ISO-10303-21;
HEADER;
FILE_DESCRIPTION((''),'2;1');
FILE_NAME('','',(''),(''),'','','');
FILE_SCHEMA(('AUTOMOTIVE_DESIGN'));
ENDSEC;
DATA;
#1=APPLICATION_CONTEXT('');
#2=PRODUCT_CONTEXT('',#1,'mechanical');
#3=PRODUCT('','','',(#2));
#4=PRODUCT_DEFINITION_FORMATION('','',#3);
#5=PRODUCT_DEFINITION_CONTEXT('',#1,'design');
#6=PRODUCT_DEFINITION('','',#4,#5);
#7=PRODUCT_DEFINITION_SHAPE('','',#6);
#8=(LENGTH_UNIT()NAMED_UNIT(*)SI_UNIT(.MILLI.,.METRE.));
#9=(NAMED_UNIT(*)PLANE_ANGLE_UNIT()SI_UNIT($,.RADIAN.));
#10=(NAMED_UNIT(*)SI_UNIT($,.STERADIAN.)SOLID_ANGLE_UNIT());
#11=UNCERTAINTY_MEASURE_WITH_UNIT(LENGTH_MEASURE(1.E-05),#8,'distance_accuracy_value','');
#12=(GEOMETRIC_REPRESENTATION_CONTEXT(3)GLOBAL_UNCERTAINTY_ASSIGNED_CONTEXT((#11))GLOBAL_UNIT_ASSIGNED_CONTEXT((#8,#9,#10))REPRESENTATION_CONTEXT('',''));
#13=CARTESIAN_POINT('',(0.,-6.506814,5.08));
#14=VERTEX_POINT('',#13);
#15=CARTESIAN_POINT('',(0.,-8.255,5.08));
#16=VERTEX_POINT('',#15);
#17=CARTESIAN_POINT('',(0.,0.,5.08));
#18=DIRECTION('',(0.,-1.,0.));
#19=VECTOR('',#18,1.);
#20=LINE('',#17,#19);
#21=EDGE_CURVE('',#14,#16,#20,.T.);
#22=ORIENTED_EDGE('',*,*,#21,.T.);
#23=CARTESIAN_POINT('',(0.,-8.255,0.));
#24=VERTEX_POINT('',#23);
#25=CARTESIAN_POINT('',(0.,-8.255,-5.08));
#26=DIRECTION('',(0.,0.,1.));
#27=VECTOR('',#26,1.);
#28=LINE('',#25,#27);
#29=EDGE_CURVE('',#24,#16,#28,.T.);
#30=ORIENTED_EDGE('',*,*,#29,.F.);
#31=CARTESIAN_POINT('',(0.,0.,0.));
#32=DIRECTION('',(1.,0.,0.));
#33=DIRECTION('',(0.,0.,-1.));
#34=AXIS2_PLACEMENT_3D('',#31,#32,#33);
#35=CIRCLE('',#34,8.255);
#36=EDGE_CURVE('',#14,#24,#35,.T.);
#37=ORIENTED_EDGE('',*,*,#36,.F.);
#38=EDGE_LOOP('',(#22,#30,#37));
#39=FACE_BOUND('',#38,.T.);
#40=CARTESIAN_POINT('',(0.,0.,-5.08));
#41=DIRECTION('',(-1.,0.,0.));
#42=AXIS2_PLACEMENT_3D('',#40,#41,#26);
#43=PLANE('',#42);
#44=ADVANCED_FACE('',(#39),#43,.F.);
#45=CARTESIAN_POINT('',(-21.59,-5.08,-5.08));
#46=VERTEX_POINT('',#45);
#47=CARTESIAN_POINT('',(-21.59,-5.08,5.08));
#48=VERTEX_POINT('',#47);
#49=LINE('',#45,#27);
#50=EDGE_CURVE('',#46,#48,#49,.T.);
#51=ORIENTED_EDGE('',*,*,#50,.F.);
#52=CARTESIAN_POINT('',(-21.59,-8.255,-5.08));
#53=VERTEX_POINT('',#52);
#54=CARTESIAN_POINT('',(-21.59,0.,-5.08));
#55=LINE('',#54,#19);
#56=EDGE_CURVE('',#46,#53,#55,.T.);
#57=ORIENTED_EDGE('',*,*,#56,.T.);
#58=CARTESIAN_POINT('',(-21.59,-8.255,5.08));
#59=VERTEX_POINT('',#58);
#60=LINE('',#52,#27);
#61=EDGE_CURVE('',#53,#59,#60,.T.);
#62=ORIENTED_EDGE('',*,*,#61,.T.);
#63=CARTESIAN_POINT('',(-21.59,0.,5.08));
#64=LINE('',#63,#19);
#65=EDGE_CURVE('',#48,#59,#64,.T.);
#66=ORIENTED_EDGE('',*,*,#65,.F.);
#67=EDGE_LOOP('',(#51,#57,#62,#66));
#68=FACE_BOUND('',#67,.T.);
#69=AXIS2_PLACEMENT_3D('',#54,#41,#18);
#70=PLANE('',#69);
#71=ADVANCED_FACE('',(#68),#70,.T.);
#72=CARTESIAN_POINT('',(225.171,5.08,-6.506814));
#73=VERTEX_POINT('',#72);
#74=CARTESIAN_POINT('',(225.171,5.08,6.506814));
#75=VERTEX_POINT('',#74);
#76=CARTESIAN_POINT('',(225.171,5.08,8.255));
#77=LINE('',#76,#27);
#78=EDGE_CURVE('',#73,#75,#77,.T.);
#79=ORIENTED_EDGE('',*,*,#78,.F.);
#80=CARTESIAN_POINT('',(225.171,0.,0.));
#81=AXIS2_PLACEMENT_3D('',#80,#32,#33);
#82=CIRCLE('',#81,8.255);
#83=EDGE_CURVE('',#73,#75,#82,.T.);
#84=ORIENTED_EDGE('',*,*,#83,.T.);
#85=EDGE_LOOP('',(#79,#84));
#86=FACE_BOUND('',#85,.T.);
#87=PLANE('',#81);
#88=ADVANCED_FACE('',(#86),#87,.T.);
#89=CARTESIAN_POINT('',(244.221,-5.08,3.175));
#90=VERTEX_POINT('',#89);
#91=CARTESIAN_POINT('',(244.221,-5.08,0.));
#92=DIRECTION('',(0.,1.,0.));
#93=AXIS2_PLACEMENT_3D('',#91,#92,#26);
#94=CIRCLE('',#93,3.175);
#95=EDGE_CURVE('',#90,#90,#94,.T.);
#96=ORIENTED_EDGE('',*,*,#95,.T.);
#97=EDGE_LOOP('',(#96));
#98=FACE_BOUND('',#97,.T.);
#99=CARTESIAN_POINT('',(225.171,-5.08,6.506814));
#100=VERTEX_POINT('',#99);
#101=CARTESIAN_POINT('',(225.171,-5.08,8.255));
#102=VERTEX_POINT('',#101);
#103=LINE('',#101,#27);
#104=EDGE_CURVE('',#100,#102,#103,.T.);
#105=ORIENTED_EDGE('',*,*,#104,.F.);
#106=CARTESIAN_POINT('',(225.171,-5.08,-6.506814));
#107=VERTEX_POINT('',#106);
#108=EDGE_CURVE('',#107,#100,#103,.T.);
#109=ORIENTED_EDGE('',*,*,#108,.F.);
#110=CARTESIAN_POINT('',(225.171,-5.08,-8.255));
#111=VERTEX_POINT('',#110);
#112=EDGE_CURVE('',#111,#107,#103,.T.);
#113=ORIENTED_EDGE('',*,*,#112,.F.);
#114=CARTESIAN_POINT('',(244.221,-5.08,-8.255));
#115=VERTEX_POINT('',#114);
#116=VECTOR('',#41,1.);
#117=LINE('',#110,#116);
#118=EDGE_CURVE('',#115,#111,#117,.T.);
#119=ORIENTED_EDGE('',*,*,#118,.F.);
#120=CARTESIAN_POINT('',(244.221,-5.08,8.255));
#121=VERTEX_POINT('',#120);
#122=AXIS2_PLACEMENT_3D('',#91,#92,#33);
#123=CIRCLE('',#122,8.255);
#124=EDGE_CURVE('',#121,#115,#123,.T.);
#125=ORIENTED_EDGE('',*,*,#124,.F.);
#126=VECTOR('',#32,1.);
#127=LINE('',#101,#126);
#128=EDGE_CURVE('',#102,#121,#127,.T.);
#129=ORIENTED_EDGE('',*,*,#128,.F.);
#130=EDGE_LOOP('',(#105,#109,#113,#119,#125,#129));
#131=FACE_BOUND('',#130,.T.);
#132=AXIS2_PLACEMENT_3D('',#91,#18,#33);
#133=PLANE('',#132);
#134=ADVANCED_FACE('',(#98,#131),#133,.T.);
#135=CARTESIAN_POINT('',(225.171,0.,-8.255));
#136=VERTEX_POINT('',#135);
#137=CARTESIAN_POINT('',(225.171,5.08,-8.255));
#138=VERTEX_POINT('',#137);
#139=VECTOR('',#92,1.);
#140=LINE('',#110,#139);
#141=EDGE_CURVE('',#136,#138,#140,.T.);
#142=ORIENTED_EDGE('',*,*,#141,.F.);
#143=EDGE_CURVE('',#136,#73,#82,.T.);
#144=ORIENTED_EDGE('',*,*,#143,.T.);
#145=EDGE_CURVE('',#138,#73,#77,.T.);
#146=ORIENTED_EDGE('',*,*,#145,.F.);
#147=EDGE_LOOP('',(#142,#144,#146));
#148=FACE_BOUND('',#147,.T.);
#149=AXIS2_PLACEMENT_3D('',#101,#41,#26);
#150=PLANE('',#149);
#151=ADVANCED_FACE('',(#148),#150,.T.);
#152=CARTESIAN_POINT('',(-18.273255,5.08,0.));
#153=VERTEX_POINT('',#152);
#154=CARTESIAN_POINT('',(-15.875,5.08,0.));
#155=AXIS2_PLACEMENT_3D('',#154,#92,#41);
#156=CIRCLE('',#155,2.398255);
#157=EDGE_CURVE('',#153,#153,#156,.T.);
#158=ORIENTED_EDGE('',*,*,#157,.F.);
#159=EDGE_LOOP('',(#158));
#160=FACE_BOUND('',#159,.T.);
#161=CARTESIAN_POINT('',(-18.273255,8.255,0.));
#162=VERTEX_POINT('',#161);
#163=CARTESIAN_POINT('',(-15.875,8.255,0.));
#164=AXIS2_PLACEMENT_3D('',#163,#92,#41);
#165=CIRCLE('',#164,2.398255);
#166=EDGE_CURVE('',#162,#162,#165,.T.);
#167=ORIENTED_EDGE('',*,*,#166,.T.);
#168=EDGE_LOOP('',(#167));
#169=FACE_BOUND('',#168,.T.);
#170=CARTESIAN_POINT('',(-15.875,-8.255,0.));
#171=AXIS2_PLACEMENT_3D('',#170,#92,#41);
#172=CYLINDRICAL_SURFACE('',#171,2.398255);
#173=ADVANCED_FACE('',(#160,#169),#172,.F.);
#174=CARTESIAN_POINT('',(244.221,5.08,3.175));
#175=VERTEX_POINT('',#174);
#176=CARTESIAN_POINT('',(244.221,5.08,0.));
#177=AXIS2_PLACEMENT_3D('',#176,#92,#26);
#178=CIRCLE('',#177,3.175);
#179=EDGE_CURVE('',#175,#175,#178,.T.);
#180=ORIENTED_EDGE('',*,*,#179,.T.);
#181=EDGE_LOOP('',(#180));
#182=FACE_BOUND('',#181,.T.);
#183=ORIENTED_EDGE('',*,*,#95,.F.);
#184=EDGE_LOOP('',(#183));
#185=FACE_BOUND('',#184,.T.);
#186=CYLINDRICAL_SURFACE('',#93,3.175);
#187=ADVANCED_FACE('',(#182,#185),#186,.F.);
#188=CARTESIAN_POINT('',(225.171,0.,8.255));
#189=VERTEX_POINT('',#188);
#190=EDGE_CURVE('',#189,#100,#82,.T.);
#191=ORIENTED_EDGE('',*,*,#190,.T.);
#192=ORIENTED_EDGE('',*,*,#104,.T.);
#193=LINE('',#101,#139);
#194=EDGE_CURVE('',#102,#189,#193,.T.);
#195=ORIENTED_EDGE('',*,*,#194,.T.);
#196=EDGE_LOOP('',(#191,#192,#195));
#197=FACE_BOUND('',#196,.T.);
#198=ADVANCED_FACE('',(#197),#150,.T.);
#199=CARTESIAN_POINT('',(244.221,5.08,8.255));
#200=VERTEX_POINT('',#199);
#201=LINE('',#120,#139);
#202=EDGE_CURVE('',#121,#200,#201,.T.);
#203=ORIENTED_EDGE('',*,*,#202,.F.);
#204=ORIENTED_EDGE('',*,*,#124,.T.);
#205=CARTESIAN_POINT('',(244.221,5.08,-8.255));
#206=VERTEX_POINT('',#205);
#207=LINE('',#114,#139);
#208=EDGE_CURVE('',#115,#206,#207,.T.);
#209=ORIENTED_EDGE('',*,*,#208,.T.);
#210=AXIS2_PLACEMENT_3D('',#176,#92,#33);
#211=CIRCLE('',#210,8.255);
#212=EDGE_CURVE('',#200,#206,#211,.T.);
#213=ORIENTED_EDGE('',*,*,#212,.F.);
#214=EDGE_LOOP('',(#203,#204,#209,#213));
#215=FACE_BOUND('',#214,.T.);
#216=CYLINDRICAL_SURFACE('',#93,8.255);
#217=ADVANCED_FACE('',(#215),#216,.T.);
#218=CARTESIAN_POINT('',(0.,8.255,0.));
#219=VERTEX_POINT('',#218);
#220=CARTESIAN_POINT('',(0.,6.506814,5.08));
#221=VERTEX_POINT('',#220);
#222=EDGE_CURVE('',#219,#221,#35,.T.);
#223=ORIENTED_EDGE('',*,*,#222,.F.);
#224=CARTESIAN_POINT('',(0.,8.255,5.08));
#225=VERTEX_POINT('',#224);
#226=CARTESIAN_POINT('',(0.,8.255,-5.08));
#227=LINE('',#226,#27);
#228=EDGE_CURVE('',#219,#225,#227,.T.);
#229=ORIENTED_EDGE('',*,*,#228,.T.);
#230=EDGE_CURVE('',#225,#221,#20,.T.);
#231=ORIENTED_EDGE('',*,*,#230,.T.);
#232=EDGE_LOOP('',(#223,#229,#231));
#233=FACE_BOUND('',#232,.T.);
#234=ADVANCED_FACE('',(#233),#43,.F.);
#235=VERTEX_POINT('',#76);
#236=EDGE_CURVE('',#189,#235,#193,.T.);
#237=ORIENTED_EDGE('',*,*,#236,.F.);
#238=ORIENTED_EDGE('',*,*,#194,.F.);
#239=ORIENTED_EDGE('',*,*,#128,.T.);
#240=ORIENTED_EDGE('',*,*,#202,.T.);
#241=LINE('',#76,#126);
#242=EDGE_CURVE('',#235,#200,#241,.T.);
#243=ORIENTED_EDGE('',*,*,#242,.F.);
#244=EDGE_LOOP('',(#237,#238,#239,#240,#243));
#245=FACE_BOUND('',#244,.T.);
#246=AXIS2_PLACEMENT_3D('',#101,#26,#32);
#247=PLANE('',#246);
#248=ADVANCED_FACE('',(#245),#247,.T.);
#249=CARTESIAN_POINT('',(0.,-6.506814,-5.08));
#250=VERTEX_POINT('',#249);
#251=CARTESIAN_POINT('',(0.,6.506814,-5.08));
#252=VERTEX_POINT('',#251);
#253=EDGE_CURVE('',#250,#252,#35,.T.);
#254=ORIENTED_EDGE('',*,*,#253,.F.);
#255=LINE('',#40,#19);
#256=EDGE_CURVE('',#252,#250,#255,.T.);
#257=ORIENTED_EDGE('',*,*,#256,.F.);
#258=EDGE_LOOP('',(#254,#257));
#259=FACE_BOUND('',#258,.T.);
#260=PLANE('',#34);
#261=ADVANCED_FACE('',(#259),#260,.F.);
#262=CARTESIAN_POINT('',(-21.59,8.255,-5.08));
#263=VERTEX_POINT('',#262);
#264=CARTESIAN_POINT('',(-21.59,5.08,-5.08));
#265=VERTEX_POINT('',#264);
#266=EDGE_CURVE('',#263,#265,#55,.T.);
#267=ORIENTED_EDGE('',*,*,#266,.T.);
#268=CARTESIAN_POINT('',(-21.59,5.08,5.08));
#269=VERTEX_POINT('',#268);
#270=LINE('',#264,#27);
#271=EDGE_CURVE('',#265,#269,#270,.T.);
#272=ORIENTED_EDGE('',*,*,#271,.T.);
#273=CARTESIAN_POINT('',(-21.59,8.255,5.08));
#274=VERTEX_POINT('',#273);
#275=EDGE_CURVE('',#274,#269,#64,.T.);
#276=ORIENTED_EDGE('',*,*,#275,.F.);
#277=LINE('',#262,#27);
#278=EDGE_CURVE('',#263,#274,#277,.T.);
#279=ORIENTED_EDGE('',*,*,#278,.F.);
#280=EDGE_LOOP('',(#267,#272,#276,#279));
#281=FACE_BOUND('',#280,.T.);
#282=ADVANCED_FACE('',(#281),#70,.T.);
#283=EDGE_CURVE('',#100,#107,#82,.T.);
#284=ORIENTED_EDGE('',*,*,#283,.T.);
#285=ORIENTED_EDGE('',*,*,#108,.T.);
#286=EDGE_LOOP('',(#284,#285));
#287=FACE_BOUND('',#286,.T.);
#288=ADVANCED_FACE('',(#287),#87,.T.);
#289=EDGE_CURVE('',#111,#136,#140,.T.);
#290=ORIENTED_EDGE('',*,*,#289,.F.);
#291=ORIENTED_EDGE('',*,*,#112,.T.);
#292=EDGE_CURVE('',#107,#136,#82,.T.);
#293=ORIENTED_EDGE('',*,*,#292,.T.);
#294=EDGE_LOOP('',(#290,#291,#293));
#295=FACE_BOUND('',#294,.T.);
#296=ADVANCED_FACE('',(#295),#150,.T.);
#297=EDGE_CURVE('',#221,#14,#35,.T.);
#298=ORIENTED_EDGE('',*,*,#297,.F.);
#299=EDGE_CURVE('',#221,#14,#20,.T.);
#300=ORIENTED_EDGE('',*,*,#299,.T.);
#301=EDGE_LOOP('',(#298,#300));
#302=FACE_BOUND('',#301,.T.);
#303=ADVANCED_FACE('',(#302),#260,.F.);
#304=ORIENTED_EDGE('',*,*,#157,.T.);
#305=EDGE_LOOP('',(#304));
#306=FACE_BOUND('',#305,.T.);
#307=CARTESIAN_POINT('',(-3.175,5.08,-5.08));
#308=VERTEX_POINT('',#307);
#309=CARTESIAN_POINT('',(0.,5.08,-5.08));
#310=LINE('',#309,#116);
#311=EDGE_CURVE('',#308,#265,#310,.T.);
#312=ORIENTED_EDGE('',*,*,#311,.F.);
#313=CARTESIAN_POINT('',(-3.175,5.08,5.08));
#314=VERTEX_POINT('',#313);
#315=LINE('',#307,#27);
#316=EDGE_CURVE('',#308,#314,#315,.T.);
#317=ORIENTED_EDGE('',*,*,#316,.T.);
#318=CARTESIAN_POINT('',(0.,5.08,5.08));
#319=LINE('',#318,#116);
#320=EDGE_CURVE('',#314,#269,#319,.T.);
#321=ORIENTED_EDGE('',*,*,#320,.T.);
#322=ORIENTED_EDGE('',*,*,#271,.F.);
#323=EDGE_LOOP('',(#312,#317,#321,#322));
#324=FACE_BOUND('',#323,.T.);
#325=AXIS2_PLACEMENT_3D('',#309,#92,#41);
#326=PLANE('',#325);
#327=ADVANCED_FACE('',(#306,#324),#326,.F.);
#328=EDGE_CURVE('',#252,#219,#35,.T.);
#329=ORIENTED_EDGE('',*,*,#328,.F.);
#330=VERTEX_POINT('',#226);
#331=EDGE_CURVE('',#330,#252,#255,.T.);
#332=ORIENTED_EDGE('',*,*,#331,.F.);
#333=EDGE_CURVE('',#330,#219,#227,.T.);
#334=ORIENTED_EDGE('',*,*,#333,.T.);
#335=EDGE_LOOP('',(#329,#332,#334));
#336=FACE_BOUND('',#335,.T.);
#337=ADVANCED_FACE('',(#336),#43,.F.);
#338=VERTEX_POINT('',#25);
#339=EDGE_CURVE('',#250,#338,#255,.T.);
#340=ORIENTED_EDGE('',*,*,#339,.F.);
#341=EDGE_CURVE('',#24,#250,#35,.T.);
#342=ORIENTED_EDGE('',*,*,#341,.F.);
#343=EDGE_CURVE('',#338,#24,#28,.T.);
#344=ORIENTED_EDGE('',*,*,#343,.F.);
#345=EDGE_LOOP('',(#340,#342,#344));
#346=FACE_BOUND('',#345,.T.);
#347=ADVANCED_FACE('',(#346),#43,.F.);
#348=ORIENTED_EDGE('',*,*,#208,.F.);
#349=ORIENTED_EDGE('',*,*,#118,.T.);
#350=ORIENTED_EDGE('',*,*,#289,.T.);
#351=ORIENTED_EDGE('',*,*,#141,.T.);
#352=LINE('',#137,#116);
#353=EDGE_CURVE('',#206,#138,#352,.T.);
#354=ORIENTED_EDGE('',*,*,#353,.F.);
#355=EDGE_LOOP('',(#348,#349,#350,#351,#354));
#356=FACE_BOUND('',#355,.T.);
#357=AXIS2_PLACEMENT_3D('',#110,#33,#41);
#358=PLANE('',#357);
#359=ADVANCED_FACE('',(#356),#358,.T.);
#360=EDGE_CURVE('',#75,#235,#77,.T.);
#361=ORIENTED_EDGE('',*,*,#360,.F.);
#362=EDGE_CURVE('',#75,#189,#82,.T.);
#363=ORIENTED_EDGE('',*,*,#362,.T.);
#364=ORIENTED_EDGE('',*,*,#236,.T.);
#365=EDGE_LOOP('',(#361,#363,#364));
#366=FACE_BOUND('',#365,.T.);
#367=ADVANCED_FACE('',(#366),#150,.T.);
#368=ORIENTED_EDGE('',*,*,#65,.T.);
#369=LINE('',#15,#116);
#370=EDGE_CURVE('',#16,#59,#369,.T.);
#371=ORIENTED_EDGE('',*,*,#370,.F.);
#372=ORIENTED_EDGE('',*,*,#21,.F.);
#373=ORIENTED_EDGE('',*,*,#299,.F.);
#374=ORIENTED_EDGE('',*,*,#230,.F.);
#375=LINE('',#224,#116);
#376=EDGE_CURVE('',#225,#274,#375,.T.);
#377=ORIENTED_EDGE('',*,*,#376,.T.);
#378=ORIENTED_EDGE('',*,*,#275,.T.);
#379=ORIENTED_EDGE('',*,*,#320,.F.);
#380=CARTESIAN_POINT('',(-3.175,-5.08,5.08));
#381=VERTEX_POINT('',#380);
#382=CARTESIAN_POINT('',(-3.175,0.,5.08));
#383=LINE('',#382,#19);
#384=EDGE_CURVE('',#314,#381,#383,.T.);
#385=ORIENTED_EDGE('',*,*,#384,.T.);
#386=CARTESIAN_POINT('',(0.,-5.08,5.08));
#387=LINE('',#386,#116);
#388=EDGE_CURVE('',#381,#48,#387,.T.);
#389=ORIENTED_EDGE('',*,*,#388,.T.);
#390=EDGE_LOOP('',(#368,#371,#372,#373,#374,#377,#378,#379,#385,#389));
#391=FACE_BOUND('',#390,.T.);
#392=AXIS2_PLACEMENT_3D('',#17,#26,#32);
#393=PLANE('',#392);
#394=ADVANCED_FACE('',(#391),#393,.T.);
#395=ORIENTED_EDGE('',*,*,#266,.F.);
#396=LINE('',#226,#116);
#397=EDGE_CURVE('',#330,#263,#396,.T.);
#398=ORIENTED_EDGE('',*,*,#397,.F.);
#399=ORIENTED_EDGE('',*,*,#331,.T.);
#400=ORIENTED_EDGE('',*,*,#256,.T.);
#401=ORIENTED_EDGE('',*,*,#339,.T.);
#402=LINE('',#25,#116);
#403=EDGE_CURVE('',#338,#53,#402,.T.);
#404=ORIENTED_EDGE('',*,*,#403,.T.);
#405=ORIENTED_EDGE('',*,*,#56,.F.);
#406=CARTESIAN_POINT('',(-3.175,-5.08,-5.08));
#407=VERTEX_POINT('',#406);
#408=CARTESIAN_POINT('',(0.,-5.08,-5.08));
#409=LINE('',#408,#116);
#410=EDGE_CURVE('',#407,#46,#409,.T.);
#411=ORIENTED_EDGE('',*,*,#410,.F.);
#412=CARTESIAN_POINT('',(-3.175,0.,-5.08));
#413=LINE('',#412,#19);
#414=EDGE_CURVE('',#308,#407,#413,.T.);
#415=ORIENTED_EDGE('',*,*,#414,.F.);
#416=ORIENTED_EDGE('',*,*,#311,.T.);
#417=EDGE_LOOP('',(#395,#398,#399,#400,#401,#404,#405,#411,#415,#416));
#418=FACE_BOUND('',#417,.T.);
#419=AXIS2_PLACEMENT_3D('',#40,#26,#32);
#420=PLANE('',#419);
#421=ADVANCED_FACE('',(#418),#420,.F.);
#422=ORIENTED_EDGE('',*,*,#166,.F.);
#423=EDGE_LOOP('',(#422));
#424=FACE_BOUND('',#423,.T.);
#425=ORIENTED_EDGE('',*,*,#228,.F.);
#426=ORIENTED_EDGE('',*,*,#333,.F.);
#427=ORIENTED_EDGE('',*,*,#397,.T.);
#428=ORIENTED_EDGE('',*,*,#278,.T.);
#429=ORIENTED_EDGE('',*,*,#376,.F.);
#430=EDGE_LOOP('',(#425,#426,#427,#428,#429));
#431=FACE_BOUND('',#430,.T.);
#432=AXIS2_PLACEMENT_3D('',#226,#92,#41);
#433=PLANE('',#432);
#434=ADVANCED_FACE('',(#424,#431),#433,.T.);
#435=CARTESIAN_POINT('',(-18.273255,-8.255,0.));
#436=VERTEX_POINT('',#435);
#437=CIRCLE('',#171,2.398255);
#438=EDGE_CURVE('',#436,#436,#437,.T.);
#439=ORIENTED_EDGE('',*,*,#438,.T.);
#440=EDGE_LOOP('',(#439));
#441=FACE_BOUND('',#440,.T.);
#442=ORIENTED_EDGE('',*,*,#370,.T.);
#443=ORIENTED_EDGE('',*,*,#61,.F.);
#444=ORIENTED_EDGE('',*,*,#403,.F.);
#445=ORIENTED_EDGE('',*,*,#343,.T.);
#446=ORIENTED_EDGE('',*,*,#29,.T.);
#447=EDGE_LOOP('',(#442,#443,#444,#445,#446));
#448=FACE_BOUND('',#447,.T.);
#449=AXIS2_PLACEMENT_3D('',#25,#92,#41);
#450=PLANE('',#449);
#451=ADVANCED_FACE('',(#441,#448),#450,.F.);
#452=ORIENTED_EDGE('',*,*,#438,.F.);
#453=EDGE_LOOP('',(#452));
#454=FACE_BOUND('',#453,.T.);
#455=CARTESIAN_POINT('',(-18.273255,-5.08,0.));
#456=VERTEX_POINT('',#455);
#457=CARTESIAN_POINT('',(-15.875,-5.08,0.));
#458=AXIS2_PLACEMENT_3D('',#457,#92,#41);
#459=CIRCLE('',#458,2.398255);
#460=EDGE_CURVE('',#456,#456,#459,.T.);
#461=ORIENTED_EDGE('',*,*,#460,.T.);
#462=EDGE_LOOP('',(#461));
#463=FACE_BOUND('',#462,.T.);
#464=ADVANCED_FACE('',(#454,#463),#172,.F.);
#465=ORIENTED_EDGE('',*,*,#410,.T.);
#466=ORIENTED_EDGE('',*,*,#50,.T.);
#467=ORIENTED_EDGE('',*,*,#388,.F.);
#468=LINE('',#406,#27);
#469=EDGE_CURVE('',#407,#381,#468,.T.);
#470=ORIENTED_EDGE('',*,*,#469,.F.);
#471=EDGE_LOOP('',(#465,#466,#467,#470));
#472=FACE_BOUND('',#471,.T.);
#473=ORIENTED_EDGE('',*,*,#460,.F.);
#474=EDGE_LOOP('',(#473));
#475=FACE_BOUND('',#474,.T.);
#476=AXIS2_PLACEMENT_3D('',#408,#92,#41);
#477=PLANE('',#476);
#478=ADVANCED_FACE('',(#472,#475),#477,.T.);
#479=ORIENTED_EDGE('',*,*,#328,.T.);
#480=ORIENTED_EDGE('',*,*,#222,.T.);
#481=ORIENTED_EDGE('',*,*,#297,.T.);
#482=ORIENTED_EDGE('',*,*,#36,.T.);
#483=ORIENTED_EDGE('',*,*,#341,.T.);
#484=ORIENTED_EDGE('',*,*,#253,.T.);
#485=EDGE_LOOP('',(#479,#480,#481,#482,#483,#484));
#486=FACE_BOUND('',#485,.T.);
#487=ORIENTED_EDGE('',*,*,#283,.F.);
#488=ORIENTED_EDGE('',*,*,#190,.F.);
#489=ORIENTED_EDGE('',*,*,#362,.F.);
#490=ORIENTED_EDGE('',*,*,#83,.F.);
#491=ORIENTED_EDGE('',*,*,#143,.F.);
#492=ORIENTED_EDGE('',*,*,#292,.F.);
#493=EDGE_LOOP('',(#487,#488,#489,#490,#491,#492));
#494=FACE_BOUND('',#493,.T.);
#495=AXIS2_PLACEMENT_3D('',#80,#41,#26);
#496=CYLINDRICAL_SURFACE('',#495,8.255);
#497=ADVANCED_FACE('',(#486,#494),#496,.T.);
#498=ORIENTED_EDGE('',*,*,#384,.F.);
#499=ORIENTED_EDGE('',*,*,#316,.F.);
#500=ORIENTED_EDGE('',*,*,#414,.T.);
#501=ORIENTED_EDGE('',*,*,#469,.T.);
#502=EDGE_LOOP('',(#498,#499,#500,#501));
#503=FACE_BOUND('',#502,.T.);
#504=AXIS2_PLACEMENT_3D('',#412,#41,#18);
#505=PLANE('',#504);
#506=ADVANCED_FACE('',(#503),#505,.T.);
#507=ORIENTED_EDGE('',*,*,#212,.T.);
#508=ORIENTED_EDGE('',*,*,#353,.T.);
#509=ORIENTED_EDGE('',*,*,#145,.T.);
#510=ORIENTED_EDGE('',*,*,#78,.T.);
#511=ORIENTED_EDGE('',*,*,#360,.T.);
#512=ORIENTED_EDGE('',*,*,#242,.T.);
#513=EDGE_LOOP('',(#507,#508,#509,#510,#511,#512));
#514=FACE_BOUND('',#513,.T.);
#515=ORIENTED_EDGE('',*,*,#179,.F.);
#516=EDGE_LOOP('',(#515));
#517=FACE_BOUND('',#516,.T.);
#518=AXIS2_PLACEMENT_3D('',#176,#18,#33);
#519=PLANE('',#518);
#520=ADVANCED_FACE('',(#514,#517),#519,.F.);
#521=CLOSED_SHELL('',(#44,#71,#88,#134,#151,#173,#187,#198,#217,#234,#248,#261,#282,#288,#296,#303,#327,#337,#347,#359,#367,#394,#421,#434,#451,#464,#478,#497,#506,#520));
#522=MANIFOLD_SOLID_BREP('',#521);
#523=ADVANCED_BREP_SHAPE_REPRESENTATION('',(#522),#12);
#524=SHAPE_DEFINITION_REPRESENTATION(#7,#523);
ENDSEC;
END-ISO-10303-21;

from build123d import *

# Parameters (mm, degrees)
SKETCH1_R                = 8.255
BOSS_EXTRUDE1_DEPTH      = 225.171
BOSS_EXTRUDE2_DEPTH      = 5.08
BOSS_EXTRUDE2_DEPTH_BACK = 5.08
SKETCH2_R                = 3.175
BOSS_EXTRUDE3_DEPTH      = 5.08
BOSS_EXTRUDE3_DEPTH_BACK = 5.08
CUT_EXTRUDE1_DEPTH       = 253.962641167
CUT_EXTRUDE1_DEPTH_BACK  = 253.962641167
SKETCH4_R                = 2.398254968


with BuildPart() as part:
    # Sketch1 → Boss-Extrude1 (new body)
    with BuildSketch(Plane(origin=(0, 0, 0), x_dir=(0, 0, -1), z_dir=(1, 0, 0))):
        Circle(SKETCH1_R)
    extrude(amount=BOSS_EXTRUDE1_DEPTH)

    # Sketch2 → Boss-Extrude2 (add, two sides: drawn at the far end of the back side and taken through both)
    with BuildSketch(Plane(origin=(0, 0, 0), x_dir=(1, 0, 0), z_dir=(0, 1, 0)).offset(-BOSS_EXTRUDE2_DEPTH_BACK)):
        with BuildLine():
            Line((225.171, -8.255), (225.171, 8.255))
            Line((225.171, 8.255), (244.221, 8.255))
            ThreePointArc((244.221, 8.255), (252.476, 0), (244.221, -8.255))
            Line((244.221, -8.255), (225.171, -8.255))
        make_face()
        with Locations(Location((244.221, 0, 0), (0, 0, 270))):
            Circle(SKETCH2_R, mode=Mode.SUBTRACT)
    extrude(amount=BOSS_EXTRUDE2_DEPTH + BOSS_EXTRUDE2_DEPTH_BACK)

    # Sketch3 → Boss-Extrude3 (add, two sides: drawn at the far end of the back side and taken through both)
    with BuildSketch(Plane.XY.offset(-BOSS_EXTRUDE3_DEPTH_BACK)):
        Polygon((0, -8.255), (0, 8.255), (-21.59, 8.255), (-21.59, 5.08), (-3.175, 5.08), (-3.175, -5.08), (-21.59, -5.08), (-21.59, -8.255), align=None)
    extrude(amount=BOSS_EXTRUDE3_DEPTH + BOSS_EXTRUDE3_DEPTH_BACK)

    # Sketch4 → Cut-Extrude1 (cut, two sides: drawn at the far end of the back side and taken through both)
    with BuildSketch(Plane(origin=(0, -5.08, 0), x_dir=(1, 0, 0), z_dir=(0, 1, 0)).offset(-CUT_EXTRUDE1_DEPTH_BACK)):
        with Locations(Location((-15.875, 0, 0), (0, 0, 180))):
            Circle(SKETCH4_R)
    extrude(amount=CUT_EXTRUDE1_DEPTH + CUT_EXTRUDE1_DEPTH_BACK, mode=Mode.SUBTRACT)


solid = part.part
